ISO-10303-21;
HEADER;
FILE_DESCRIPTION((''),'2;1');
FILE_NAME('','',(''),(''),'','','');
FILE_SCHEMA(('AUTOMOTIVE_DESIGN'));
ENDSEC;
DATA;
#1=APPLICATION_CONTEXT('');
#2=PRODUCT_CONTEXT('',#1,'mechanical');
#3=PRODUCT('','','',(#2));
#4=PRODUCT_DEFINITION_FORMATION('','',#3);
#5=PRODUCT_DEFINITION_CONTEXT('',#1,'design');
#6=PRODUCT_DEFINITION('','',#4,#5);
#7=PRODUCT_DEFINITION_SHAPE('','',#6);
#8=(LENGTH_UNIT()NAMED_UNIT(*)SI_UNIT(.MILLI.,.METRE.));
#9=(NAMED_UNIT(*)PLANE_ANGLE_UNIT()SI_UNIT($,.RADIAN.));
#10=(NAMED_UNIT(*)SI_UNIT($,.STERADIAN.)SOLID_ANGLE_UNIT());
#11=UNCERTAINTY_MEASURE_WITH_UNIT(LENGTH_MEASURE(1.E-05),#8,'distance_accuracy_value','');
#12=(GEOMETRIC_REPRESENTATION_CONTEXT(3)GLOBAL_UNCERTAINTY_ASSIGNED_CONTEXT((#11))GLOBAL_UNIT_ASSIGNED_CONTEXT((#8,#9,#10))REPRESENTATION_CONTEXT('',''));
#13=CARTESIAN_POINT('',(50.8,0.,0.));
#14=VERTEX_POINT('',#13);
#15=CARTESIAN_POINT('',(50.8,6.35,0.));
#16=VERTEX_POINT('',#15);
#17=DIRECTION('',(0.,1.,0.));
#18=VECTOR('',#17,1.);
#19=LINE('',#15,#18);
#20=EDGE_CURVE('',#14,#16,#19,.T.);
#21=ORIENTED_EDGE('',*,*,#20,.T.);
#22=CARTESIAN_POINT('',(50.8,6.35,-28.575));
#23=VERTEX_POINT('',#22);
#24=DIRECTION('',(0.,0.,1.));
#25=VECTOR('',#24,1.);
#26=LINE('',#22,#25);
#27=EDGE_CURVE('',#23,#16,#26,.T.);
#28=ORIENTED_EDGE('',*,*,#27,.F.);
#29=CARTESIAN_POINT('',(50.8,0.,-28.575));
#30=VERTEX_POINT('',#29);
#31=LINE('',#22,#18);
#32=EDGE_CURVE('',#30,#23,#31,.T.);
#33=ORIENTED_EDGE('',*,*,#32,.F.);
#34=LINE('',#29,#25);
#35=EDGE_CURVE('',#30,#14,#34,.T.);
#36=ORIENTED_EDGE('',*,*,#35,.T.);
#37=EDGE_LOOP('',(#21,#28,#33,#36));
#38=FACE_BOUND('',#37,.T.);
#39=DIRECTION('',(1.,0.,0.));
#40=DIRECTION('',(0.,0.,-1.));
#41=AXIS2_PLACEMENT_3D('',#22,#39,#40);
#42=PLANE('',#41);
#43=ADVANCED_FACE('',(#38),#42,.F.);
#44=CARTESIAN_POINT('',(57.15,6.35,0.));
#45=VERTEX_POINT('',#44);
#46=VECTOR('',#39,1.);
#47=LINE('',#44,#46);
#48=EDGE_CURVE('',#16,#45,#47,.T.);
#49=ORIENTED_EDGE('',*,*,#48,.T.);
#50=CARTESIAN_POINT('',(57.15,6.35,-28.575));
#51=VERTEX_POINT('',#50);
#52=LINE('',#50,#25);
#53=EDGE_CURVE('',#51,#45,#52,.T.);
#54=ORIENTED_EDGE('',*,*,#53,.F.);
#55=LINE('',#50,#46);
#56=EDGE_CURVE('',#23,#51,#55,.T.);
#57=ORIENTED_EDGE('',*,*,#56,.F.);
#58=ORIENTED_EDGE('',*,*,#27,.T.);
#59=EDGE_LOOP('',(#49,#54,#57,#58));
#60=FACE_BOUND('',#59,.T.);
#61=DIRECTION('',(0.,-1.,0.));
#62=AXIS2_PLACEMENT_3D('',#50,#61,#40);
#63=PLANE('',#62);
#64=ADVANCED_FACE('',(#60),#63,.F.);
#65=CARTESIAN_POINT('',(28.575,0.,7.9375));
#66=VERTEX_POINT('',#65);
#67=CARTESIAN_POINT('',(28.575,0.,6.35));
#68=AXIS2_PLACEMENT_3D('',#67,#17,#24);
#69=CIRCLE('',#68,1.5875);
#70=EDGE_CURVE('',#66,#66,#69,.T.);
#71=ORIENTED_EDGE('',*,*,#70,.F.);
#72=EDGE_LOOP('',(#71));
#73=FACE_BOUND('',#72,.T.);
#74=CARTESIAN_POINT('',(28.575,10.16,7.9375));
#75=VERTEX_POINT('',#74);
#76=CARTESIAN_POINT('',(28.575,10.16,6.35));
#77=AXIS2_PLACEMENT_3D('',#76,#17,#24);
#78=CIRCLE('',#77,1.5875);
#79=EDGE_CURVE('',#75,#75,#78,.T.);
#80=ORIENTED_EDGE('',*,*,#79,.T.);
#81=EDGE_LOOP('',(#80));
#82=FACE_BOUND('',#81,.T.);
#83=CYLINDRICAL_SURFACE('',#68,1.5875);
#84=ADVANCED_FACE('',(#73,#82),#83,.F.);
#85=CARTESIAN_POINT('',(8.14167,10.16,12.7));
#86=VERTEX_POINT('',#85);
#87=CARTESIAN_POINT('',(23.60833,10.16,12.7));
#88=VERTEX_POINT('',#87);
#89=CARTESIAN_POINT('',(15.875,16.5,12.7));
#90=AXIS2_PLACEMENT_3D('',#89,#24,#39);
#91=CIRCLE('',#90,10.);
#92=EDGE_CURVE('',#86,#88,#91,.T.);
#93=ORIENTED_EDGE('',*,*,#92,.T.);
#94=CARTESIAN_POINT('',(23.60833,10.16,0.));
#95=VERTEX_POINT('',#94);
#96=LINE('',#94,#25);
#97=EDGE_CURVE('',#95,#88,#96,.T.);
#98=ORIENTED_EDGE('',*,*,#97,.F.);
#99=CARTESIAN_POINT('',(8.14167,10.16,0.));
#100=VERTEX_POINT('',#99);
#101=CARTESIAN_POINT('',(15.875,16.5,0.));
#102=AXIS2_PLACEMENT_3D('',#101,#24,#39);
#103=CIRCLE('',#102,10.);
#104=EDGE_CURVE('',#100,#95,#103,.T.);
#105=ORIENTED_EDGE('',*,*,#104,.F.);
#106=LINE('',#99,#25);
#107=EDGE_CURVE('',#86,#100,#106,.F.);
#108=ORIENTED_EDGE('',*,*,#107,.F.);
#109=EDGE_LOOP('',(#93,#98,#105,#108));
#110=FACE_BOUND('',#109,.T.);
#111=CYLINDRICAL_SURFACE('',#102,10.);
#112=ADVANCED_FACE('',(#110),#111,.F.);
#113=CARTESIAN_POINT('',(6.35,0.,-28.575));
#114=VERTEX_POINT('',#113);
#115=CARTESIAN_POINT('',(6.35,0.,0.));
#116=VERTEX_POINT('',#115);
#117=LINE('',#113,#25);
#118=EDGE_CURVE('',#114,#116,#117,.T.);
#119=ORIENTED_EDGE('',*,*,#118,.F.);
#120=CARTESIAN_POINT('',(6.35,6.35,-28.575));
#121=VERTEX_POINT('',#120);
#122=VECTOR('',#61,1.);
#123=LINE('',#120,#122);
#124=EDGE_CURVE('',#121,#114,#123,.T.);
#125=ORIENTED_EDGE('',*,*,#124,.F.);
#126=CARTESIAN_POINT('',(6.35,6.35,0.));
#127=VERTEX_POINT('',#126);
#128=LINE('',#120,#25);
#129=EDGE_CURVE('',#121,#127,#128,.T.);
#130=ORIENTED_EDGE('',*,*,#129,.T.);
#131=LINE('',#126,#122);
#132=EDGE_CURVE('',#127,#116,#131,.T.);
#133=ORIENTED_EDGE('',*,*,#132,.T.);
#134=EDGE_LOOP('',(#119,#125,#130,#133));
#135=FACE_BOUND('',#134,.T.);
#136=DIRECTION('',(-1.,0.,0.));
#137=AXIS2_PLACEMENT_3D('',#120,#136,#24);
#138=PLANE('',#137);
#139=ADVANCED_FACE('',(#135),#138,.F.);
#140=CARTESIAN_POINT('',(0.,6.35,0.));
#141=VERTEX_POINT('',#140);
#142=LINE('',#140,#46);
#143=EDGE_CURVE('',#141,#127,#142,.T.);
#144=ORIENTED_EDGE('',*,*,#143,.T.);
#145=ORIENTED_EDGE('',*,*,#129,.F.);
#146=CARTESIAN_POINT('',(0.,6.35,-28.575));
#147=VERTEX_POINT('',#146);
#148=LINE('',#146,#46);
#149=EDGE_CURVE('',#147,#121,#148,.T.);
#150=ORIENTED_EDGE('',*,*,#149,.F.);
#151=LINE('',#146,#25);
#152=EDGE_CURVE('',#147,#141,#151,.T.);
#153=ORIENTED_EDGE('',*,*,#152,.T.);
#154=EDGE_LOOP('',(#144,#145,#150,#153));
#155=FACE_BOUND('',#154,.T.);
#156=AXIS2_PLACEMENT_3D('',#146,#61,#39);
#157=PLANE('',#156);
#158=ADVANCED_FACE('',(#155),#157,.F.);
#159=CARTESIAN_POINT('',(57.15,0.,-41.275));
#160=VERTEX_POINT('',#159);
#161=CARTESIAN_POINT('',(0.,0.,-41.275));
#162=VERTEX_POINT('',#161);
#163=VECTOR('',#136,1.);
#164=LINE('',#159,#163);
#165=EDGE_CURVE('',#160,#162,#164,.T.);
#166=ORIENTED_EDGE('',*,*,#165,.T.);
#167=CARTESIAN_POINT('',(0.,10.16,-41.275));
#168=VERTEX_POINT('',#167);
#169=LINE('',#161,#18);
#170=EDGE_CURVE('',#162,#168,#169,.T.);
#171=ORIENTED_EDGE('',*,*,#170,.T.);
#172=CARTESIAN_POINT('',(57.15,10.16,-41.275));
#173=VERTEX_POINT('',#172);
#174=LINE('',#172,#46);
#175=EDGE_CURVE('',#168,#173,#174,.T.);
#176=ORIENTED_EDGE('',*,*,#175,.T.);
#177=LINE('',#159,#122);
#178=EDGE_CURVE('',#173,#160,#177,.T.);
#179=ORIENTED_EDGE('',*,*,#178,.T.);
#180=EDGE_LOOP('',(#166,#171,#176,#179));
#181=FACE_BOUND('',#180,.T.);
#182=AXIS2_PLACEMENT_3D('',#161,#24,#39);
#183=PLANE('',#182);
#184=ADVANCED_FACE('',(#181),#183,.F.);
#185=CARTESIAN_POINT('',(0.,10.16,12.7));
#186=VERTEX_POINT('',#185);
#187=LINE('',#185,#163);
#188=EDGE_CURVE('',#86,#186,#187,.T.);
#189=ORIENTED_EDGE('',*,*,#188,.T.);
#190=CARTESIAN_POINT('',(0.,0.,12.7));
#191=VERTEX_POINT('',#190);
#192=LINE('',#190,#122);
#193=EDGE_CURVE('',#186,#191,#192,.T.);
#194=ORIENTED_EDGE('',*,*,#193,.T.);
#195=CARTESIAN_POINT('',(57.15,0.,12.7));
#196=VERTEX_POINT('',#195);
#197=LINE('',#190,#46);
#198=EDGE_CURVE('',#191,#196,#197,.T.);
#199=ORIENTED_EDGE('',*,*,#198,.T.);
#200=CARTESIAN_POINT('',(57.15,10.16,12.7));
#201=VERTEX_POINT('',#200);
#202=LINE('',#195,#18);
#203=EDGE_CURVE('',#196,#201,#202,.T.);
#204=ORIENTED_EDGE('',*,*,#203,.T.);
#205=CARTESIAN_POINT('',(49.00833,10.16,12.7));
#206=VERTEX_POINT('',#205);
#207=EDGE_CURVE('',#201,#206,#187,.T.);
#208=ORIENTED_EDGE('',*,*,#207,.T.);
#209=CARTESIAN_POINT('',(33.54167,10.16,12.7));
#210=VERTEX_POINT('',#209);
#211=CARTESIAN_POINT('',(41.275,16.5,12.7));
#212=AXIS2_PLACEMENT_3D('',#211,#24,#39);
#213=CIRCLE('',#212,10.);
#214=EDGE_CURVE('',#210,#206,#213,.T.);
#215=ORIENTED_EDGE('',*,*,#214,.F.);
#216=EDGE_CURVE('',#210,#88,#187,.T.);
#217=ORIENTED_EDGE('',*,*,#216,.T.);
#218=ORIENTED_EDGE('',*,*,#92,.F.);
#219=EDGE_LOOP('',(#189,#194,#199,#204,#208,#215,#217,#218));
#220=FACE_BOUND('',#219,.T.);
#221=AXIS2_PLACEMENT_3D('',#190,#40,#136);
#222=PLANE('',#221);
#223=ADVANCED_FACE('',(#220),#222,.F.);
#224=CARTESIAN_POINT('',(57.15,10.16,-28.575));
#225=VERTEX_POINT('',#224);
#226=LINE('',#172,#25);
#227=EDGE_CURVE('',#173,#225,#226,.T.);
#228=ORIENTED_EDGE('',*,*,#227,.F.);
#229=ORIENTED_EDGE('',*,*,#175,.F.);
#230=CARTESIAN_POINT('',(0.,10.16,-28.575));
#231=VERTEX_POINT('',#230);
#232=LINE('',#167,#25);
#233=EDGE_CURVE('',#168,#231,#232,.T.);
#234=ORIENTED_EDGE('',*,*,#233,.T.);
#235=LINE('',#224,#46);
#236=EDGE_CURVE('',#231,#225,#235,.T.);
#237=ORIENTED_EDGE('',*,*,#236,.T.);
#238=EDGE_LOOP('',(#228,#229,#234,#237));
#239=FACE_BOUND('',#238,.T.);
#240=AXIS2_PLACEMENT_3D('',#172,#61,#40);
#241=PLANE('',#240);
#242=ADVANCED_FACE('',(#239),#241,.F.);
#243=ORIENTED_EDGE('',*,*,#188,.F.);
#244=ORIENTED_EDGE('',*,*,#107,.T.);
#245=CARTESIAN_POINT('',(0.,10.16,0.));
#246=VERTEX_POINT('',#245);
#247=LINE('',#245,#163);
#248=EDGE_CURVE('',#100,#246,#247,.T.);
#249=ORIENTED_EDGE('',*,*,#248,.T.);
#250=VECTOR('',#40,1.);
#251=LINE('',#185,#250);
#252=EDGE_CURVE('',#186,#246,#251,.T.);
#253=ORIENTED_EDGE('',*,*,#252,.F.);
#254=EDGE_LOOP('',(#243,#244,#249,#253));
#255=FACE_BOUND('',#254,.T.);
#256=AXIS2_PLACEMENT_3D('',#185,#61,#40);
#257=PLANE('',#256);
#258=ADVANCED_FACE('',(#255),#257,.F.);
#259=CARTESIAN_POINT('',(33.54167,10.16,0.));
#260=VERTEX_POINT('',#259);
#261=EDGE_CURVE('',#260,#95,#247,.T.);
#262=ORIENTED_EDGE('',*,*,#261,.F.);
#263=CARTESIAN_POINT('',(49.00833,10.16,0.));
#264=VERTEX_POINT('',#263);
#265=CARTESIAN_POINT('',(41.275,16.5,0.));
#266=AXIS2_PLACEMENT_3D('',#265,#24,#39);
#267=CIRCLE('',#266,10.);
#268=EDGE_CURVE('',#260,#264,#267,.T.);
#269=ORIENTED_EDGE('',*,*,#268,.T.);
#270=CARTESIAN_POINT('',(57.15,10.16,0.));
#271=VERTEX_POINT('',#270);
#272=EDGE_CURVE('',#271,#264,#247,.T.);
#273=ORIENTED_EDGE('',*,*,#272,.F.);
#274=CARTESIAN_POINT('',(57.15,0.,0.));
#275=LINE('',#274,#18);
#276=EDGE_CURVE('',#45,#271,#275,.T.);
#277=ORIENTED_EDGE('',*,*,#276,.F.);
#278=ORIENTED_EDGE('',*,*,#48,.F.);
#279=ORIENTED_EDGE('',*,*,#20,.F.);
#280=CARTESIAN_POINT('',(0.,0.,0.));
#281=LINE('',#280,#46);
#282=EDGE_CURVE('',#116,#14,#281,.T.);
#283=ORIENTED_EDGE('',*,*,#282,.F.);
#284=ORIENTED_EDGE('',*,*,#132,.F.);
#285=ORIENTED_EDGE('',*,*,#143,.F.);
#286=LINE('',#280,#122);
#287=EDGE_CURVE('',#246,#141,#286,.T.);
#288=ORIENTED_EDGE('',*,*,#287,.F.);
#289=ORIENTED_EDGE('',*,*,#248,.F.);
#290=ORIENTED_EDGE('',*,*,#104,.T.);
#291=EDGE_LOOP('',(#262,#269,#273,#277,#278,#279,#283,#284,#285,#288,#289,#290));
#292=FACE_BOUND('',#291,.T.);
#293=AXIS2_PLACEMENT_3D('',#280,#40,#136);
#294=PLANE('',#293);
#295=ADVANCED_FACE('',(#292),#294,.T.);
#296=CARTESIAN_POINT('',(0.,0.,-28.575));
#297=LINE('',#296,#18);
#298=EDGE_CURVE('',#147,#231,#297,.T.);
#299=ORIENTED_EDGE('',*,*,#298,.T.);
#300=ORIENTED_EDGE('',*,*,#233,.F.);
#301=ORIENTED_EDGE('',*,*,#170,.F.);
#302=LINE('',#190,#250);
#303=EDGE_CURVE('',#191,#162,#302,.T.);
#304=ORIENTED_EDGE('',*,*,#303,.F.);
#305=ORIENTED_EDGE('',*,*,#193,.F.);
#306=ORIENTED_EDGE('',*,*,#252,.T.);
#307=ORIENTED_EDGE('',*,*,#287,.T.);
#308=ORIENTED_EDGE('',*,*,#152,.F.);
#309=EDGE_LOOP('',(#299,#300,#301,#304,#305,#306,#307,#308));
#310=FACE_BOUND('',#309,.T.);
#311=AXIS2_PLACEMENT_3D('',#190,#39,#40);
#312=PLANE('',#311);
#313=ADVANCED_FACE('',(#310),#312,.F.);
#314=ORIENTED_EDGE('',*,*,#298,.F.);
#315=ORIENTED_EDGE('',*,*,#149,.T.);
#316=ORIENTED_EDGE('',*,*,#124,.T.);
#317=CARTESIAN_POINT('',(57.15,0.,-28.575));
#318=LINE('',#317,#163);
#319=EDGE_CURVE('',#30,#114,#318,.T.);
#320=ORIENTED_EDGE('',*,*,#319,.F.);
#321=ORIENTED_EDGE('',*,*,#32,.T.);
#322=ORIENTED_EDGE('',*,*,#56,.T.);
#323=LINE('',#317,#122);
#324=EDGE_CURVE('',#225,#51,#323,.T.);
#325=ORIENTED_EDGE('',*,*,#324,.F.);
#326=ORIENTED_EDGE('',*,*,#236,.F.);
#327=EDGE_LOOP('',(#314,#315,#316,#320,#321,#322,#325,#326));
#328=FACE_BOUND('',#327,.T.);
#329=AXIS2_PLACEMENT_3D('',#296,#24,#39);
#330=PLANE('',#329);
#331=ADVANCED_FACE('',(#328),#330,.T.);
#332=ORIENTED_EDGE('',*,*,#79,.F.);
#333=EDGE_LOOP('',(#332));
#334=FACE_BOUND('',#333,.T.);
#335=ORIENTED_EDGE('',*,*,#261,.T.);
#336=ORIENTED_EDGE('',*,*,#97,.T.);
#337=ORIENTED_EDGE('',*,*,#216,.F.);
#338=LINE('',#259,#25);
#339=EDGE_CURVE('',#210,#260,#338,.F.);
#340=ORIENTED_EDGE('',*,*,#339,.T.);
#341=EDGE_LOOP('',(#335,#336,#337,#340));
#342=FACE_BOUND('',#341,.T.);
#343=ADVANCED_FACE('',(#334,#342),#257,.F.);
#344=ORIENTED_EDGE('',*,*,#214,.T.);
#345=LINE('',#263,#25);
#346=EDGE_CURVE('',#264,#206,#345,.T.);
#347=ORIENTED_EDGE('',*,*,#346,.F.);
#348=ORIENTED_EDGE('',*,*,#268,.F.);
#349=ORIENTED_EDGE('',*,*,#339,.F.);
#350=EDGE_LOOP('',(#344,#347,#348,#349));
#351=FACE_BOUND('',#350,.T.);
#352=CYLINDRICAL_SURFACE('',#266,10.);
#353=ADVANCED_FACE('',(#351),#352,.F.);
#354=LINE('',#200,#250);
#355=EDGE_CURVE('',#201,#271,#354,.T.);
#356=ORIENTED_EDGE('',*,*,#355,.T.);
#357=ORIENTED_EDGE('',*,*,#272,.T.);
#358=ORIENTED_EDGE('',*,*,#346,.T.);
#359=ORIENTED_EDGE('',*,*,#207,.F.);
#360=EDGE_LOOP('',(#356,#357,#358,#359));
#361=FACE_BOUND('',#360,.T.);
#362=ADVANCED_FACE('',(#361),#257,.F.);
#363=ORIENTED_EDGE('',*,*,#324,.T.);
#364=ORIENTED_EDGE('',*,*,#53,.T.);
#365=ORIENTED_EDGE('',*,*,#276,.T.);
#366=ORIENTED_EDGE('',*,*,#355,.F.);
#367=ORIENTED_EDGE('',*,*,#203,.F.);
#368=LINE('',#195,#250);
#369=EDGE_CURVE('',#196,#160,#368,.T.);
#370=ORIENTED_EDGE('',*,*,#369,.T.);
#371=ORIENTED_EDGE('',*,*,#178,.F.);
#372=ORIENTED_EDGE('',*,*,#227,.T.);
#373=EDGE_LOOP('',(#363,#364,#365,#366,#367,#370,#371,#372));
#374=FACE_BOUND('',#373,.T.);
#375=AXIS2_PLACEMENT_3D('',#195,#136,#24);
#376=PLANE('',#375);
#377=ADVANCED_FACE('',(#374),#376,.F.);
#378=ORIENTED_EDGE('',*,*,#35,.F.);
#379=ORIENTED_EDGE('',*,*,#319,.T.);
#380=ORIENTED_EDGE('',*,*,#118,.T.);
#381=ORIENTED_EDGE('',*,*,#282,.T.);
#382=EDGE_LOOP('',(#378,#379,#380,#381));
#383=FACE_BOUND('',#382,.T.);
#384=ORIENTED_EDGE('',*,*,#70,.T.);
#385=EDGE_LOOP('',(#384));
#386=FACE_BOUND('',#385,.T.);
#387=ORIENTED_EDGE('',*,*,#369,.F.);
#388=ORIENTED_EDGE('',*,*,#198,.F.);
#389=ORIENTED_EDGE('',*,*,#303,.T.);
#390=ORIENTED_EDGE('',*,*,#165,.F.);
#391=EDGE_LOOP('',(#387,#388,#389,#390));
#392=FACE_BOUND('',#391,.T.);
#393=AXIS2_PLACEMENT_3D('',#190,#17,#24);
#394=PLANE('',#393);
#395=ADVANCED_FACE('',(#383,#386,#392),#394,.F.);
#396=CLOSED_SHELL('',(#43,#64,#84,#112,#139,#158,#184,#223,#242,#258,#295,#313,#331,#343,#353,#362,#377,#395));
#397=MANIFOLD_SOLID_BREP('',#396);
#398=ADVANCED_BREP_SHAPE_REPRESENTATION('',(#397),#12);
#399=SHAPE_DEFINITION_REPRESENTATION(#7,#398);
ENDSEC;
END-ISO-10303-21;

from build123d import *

# Parameters (mm, degrees)
SKETCH4_W           = 57.15
SKETCH4_H           = 10.16
BOSS_EXTRUDE1_DEPTH = 12.7
SKETCH5_R           = 10
CUT_EXTRUDE1_DEPTH  = 60.419172832
SKETCH8_R           = 1.5875
CUT_EXTRUDE3_DEPTH  = 60.419172832
SKETCH9_W           = 6.35
SKETCH9_H           = 6.35
BOSS_EXTRUDE2_DEPTH = 28.575
SKETCH11_W          = 57.15
SKETCH11_H          = 10.16
BOSS_EXTRUDE3_DEPTH = 12.7


with BuildPart() as part:
    # Sketch4 → Boss-Extrude1 (new body)
    with BuildSketch(Plane.XY):
        with Locations((28.575, 5.08)):
            Rectangle(SKETCH4_W, SKETCH4_H)
    extrude(amount=BOSS_EXTRUDE1_DEPTH)

    # Sketch5 → Cut-Extrude1 (cut, through all)
    with BuildSketch(Plane.XY.offset(12.7)):
        with Locations((15.875, 16.5)):
            Circle(SKETCH5_R)
        with Locations((41.275, 16.5)):
            Circle(SKETCH5_R)
    extrude(amount=-CUT_EXTRUDE1_DEPTH, mode=Mode.SUBTRACT)

    # Sketch8 → Cut-Extrude3 (cut, through all)
    with BuildSketch(Plane(origin=(0, 10.16, 0), x_dir=(1, 0, 0), z_dir=(0, 1, 0))):
        with Locations(Location((28.575, -6.35, 0), (0, 0, 270))):
            Circle(SKETCH8_R)
    extrude(amount=-CUT_EXTRUDE3_DEPTH, mode=Mode.SUBTRACT)

    # Sketch9 → Boss-Extrude2 (add)
    with BuildSketch(Plane(origin=(0, 0, 0), x_dir=(-1, 0, 0), z_dir=(0, 0, -1))):
        with Locations((-53.975, 3.175)):
            Rectangle(SKETCH9_W, SKETCH9_H)
        with Locations((-3.175, 3.175)):
            Rectangle(SKETCH9_W, SKETCH9_H)
    extrude(amount=BOSS_EXTRUDE2_DEPTH)

    # Sketch11 → Boss-Extrude3 (add)
    with BuildSketch(Plane(origin=(0, 0, -28.575), x_dir=(-1, 0, 0), z_dir=(0, 0, -1))):
        with Locations((-28.575, 5.08)):
            Rectangle(SKETCH11_W, SKETCH11_H)
    extrude(amount=BOSS_EXTRUDE3_DEPTH)


solid = part.part
